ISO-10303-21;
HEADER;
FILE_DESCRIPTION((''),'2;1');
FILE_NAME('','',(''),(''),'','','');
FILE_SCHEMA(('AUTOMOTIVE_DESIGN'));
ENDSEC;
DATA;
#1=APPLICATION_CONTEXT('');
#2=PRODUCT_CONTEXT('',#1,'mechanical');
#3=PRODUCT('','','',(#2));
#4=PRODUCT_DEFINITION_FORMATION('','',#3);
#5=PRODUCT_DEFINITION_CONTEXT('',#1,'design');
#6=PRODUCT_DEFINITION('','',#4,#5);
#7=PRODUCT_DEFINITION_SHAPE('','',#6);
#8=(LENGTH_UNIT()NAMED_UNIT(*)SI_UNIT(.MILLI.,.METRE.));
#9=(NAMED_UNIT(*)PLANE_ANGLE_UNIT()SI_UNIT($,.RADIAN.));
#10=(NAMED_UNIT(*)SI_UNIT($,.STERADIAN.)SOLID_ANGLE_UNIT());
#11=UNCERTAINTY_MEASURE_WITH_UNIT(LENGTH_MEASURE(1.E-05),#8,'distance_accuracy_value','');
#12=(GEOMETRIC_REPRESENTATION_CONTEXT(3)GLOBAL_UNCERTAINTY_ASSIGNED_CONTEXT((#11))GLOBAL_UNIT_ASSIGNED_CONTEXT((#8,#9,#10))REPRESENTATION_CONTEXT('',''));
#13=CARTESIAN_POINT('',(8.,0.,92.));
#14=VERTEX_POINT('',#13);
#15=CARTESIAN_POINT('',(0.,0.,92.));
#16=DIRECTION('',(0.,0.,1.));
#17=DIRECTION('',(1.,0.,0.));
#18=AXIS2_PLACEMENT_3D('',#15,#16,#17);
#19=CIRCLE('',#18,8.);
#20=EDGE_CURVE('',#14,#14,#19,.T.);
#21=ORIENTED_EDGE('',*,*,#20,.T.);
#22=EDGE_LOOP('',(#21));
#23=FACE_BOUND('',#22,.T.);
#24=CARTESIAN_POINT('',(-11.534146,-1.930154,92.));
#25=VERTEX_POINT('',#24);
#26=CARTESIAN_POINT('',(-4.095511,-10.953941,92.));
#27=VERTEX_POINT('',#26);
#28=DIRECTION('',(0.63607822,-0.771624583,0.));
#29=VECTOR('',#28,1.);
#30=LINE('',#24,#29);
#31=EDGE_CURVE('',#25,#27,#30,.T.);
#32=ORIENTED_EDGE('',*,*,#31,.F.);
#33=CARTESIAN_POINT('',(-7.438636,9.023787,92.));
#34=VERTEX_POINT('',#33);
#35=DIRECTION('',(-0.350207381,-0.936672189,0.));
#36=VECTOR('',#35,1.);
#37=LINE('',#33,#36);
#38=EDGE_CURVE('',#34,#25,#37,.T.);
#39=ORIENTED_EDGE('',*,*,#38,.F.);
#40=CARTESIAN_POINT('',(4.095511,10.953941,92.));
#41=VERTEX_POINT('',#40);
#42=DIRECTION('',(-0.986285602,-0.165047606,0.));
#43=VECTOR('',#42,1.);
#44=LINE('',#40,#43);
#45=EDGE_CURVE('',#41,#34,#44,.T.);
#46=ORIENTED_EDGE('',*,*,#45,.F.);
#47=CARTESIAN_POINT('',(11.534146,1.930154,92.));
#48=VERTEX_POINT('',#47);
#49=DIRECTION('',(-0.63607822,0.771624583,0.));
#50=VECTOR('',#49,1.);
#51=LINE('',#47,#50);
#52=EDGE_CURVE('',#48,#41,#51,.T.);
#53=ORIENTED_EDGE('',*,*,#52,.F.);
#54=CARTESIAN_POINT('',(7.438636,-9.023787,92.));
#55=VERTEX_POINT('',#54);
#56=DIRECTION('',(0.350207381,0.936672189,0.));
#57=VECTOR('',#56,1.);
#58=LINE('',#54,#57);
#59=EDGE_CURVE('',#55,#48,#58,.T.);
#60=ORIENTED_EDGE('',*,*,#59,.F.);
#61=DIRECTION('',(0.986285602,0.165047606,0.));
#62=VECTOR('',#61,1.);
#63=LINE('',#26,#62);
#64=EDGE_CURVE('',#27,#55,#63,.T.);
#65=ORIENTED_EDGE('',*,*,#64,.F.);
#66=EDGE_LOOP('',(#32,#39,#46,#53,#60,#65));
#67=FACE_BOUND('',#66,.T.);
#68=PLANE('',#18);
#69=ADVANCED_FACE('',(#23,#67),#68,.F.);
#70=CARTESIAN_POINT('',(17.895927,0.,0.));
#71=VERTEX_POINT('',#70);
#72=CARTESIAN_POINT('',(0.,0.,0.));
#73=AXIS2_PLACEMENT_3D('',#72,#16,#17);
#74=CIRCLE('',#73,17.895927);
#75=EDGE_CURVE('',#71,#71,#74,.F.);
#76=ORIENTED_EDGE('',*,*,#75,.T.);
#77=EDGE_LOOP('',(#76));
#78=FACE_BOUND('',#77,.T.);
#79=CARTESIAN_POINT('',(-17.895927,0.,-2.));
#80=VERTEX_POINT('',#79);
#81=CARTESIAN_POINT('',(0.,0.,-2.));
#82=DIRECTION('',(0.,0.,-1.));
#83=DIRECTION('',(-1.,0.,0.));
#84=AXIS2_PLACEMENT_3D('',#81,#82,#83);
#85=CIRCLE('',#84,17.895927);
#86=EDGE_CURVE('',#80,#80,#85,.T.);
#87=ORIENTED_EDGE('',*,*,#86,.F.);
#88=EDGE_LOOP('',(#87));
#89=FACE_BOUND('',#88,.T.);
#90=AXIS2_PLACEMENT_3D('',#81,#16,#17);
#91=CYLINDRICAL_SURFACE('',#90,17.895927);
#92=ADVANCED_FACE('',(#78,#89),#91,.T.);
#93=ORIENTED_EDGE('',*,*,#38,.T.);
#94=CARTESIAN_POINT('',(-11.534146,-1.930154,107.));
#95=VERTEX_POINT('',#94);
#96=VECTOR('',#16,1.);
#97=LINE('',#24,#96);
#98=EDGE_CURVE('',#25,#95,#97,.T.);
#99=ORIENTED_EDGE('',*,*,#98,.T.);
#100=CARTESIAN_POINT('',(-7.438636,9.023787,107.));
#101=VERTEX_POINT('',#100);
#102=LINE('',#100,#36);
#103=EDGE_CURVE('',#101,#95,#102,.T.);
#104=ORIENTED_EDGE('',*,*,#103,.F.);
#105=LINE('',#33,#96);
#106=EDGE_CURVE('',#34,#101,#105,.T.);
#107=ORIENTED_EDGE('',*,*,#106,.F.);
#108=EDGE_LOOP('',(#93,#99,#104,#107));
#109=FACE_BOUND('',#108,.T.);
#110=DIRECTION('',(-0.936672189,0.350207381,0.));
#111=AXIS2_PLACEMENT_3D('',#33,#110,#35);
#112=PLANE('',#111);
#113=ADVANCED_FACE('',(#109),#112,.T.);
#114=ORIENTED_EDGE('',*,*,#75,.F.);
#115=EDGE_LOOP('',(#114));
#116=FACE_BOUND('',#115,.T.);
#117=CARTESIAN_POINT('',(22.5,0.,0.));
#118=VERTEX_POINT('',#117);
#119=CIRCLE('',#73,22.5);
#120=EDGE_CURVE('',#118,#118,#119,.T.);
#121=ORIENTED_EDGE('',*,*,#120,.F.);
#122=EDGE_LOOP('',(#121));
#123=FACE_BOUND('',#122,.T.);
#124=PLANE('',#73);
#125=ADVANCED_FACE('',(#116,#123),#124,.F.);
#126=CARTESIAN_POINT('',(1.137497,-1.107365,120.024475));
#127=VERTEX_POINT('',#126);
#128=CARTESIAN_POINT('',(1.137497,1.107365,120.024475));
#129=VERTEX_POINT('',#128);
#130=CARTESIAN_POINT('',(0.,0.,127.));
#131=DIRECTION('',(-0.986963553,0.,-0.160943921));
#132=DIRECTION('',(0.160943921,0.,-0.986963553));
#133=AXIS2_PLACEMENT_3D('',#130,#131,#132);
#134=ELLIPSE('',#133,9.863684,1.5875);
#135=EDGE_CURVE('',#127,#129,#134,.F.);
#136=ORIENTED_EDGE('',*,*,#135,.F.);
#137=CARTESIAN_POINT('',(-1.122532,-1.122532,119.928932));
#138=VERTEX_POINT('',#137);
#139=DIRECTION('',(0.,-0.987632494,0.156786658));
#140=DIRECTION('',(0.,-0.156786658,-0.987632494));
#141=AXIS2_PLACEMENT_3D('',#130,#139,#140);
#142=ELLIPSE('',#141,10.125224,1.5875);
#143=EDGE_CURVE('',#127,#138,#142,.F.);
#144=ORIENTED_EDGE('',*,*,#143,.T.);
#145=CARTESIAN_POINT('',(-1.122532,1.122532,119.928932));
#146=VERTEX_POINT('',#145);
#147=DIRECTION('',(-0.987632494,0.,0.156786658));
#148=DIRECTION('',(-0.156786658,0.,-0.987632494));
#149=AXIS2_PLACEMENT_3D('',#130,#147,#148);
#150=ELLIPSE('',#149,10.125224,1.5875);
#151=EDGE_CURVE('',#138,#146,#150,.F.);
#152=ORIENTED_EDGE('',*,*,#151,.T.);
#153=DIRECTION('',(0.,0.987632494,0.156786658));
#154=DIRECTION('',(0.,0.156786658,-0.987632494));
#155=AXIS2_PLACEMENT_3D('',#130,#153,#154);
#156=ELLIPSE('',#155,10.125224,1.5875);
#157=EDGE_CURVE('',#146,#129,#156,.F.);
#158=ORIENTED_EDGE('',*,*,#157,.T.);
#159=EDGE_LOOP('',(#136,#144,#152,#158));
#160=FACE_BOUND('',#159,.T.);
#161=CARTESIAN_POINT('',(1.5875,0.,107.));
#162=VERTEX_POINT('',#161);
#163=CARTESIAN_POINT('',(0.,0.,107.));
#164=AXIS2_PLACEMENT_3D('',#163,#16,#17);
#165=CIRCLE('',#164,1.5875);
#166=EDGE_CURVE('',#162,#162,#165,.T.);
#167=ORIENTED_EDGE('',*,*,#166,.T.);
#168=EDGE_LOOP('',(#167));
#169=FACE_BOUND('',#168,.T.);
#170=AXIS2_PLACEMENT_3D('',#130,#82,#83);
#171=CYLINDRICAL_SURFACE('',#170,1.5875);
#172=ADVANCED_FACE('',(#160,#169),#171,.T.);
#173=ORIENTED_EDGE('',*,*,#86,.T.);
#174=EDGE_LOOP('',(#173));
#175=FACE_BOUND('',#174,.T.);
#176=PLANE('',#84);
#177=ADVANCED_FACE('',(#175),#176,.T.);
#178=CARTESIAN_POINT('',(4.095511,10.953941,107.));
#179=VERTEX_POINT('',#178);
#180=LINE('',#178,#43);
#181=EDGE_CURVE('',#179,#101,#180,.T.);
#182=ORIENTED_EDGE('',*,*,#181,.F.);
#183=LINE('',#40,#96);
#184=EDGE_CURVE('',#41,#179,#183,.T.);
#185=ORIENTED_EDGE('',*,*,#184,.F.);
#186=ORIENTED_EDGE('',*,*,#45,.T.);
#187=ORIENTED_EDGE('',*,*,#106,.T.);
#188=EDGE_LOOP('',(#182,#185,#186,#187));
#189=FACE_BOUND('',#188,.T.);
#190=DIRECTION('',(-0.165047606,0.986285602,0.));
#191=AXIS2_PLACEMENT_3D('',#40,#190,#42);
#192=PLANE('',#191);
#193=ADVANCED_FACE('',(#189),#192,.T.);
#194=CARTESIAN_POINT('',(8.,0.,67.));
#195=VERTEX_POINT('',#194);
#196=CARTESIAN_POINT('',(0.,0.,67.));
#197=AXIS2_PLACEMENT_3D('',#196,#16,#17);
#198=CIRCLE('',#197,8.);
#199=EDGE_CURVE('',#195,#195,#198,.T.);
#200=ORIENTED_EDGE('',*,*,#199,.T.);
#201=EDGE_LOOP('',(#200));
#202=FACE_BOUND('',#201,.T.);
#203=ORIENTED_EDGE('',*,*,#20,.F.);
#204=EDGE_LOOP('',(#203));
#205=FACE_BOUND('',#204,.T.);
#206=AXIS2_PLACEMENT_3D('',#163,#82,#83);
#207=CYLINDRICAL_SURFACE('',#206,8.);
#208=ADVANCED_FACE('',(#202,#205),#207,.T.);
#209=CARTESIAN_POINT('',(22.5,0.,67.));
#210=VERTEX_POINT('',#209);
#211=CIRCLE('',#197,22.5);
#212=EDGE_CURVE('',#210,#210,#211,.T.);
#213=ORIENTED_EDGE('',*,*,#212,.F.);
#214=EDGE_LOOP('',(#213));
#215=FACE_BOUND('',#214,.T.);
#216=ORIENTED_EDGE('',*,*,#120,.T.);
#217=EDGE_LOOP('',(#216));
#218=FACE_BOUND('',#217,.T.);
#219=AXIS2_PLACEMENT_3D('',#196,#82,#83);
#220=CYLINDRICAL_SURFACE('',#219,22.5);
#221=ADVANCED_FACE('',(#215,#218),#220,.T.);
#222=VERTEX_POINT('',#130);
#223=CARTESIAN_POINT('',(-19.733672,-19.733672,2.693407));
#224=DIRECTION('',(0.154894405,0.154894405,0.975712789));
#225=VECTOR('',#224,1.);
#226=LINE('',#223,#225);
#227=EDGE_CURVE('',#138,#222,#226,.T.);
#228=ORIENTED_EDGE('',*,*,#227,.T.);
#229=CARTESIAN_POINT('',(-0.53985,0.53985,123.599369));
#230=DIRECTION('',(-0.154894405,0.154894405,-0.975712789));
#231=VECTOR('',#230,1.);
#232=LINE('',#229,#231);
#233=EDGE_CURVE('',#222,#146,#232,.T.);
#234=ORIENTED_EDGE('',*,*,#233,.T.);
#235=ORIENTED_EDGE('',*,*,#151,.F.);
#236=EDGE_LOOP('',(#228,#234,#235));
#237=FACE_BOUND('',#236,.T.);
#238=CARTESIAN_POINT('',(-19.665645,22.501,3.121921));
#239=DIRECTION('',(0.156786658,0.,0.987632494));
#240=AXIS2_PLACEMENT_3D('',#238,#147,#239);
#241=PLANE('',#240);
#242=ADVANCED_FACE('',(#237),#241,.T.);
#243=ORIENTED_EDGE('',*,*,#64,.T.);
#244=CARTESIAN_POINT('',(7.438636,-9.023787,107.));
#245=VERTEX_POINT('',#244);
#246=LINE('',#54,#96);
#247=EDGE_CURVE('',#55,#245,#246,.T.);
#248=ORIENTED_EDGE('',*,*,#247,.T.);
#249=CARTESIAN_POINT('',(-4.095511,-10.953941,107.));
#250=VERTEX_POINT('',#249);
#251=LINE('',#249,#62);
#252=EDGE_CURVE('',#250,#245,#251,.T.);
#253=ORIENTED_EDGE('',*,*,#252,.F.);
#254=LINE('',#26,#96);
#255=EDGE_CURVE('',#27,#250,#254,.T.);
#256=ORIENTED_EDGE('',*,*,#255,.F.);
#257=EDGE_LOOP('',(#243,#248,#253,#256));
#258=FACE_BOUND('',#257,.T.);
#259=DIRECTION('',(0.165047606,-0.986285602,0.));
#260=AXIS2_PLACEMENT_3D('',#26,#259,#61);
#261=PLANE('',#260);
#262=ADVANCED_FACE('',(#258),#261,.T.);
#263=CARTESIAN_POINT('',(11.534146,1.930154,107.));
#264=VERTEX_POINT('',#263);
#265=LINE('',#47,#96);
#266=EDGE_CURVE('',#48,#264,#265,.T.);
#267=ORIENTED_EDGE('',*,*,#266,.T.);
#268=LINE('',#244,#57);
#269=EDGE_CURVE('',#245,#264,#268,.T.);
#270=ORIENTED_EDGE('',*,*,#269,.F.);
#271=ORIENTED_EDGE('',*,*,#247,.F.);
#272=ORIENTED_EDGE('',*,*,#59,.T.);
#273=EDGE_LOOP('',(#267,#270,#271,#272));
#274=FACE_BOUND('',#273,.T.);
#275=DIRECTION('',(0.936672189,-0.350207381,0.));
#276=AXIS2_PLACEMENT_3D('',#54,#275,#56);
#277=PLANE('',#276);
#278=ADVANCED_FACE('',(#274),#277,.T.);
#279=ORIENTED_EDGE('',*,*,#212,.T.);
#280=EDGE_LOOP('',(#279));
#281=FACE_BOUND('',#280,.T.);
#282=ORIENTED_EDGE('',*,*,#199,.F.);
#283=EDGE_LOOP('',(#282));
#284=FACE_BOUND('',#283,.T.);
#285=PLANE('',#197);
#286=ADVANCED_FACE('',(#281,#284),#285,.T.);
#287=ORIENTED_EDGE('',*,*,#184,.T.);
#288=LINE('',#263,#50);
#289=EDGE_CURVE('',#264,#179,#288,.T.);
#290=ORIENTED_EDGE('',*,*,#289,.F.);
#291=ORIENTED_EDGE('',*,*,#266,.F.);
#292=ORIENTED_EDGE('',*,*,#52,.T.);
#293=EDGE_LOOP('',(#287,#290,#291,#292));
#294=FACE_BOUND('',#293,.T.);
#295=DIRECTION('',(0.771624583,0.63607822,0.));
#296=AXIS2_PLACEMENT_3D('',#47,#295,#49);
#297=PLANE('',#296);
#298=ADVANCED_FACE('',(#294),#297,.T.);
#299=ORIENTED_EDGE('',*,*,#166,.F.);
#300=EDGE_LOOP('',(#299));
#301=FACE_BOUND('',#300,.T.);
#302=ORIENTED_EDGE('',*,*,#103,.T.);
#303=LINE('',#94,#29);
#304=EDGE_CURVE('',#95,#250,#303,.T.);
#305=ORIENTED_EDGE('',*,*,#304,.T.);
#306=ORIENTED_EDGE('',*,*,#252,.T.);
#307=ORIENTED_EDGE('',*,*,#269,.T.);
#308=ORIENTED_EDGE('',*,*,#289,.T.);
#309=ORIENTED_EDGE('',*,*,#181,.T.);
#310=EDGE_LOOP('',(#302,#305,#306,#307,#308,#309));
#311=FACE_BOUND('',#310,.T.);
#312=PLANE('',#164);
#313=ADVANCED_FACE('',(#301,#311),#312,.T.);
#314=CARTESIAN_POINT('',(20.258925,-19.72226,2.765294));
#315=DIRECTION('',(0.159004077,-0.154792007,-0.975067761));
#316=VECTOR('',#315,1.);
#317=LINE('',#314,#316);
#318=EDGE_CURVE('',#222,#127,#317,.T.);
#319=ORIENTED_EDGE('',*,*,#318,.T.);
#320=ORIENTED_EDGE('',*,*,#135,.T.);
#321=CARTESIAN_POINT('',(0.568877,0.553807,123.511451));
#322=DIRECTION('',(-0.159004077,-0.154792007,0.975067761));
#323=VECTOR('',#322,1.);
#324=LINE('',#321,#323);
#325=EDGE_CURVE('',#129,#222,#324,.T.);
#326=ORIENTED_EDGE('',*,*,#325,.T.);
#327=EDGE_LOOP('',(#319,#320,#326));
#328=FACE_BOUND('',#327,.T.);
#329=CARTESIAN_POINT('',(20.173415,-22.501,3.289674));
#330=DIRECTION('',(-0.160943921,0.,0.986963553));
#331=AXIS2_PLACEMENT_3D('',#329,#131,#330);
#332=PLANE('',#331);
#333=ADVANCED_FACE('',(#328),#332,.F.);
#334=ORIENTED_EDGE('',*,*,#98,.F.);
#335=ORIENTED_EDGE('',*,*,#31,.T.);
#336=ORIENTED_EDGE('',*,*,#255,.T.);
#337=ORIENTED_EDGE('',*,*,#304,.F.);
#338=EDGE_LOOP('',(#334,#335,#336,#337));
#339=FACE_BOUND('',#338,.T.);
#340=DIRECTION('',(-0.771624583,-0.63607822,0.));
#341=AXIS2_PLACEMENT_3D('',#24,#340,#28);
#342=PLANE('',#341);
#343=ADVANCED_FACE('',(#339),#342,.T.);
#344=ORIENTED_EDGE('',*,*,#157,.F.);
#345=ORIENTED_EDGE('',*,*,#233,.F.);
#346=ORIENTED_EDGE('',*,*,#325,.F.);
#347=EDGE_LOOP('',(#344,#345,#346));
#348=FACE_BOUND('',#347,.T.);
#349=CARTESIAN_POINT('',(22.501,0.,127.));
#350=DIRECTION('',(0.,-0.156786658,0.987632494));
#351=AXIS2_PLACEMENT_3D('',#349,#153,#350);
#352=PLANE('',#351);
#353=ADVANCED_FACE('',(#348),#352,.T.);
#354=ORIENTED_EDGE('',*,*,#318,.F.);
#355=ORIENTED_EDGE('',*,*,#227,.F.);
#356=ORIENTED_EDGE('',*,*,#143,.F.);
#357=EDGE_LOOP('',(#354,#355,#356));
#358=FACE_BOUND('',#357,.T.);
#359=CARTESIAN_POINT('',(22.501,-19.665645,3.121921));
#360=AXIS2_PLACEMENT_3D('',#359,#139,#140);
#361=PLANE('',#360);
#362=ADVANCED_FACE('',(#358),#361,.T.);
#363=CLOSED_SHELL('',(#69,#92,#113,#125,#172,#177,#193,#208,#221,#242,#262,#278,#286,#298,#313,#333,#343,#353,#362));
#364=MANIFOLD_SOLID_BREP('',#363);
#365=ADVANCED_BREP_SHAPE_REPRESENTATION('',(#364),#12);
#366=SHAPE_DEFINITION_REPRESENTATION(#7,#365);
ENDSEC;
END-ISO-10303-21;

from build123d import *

# Parameters (mm, degrees)
SKETCH1_R                      = 22.5
BOSS_EXTRUDE1_DEPTH            = 67
SKETCH2_R                      = 8
BOSS_EXTRUDE2_DEPTH            = 40
BOSS_EXTRUDE3_DEPTH            = 15
SKETCH4_R                      = 1.5875
BOSS_EXTRUDE4_DEPTH            = 20
CUT_EXTRUDE1_REACH             = 24.5
CUT_EXTRUDE1_DIRECTION_2_REACH = 24.5
CUT_EXTRUDE2_REACH             = 24.5
CUT_EXTRUDE2_DIRECTION_2_REACH = 24.5
SKETCH7_R                      = 17.895926968
BOSS_EXTRUDE5_DEPTH            = 2


with BuildPart() as part:
    # Sketch1 → Boss-Extrude1 (new body)
    with BuildSketch(Plane.XY):
        Circle(SKETCH1_R)
    extrude(amount=BOSS_EXTRUDE1_DEPTH)

    # Sketch2 → Boss-Extrude2 (add)
    with BuildSketch(Plane.XY.offset(67)):
        Circle(SKETCH2_R)
    extrude(amount=BOSS_EXTRUDE2_DEPTH)

    # Sketch3 → Boss-Extrude3 (add)
    with BuildSketch(Plane.XY.offset(107)):
        Polygon((11.534146379, 1.930154149), (4.095510664, 10.95394085), (-7.438635716, 9.023786701), (-11.534146379, -1.930154149), (-4.095510664, -10.95394085), (7.438635716, -9.023786701), align=None)
    extrude(amount=-BOSS_EXTRUDE3_DEPTH)

    # Sketch4 → Boss-Extrude4 (add)
    with BuildSketch(Plane.XY.offset(107)):
        Circle(SKETCH4_R)
    extrude(amount=BOSS_EXTRUDE4_DEPTH)

    # Sketch5 → Cut-Extrude1 (cut, up to next)
    with BuildSketch(Plane(origin=(0, 0, 0), x_dir=(1, 0, 0), z_dir=(0, 1, 0)), mode=Mode.PRIVATE) as cut_extrude1_sk1:
        Polygon((-1.5875, -127), (0, -127), (-1.5875, -117), align=None)
    cut_extrude1_tool1 = extrude(cut_extrude1_sk1.sketch, amount=-CUT_EXTRUDE1_REACH, mode=Mode.PRIVATE) & part.part
    add(cut_extrude1_tool1.solids().sort_by_distance((-1.058333, 0, 123.666667))[0], mode=Mode.SUBTRACT)
    # Sketch5 → Cut-Extrude1 (cut, up to next)
    with BuildSketch(Plane(origin=(0, 0, 0), x_dir=(1, 0, 0), z_dir=(0, 1, 0)), mode=Mode.PRIVATE) as cut_extrude1_sk2:
        Polygon((1.630697713, -117), (0, -127), (1.5875, -127), align=None)
    cut_extrude1_tool2 = extrude(cut_extrude1_sk2.sketch, amount=-CUT_EXTRUDE1_REACH, mode=Mode.PRIVATE) & part.part
    add(cut_extrude1_tool2.solids().sort_by_distance((1.072733, 0, 123.666667))[0], mode=Mode.SUBTRACT)

    # Sketch5 → Cut-Extrude1 direction 2 (cut, up to next)
    with BuildSketch(Plane(origin=(0, 0, 0), x_dir=(1, 0, 0), z_dir=(0, 1, 0)), mode=Mode.PRIVATE) as cut_extrude1_direction_2_sk1:
        Polygon((-1.5875, -127), (0, -127), (-1.5875, -117), align=None)
    cut_extrude1_direction_2_tool1 = extrude(cut_extrude1_direction_2_sk1.sketch, amount=CUT_EXTRUDE1_DIRECTION_2_REACH, mode=Mode.PRIVATE) & part.part
    add(cut_extrude1_direction_2_tool1.solids().sort_by_distance((-1.058333, 0, 123.666667))[0], mode=Mode.SUBTRACT)
    # Sketch5 → Cut-Extrude1 direction 2 (cut, up to next)
    with BuildSketch(Plane(origin=(0, 0, 0), x_dir=(1, 0, 0), z_dir=(0, 1, 0)), mode=Mode.PRIVATE) as cut_extrude1_direction_2_sk2:
        Polygon((1.630697713, -117), (0, -127), (1.5875, -127), align=None)
    cut_extrude1_direction_2_tool2 = extrude(cut_extrude1_direction_2_sk2.sketch, amount=CUT_EXTRUDE1_DIRECTION_2_REACH, mode=Mode.PRIVATE) & part.part
    add(cut_extrude1_direction_2_tool2.solids().sort_by_distance((1.072733, 0, 123.666667))[0], mode=Mode.SUBTRACT)

    # Sketch6 → Cut-Extrude2 (cut, up to next)
    with BuildSketch(Plane(origin=(0, 0, 0), x_dir=(0, 0, -1), z_dir=(1, 0, 0)), mode=Mode.PRIVATE) as cut_extrude2_sk1:
        Polygon((-127, -1.5875), (-117, -1.5875), (-127, 0), align=None)
    cut_extrude2_tool1 = extrude(cut_extrude2_sk1.sketch, amount=-CUT_EXTRUDE2_REACH, mode=Mode.PRIVATE) & part.part
    add(cut_extrude2_tool1.solids().sort_by_distance((0, -1.058333, 123.666667))[0], mode=Mode.SUBTRACT)
    # Sketch6 → Cut-Extrude2 (cut, up to next)
    with BuildSketch(Plane(origin=(0, 0, 0), x_dir=(0, 0, -1), z_dir=(1, 0, 0)), mode=Mode.PRIVATE) as cut_extrude2_sk2:
        Polygon((-127, 0), (-117, 1.5875), (-127, 1.5875), align=None)
    cut_extrude2_tool2 = extrude(cut_extrude2_sk2.sketch, amount=-CUT_EXTRUDE2_REACH, mode=Mode.PRIVATE) & part.part
    add(cut_extrude2_tool2.solids().sort_by_distance((0, 1.058333, 123.666667))[0], mode=Mode.SUBTRACT)

    # Sketch6 → Cut-Extrude2 direction 2 (cut, up to next)
    with BuildSketch(Plane(origin=(0, 0, 0), x_dir=(0, 0, -1), z_dir=(1, 0, 0)), mode=Mode.PRIVATE) as cut_extrude2_direction_2_sk1:
        Polygon((-127, -1.5875), (-117, -1.5875), (-127, 0), align=None)
    cut_extrude2_direction_2_tool1 = extrude(cut_extrude2_direction_2_sk1.sketch, amount=CUT_EXTRUDE2_DIRECTION_2_REACH, mode=Mode.PRIVATE) & part.part
    add(cut_extrude2_direction_2_tool1.solids().sort_by_distance((0, -1.058333, 123.666667))[0], mode=Mode.SUBTRACT)
    # Sketch6 → Cut-Extrude2 direction 2 (cut, up to next)
    with BuildSketch(Plane(origin=(0, 0, 0), x_dir=(0, 0, -1), z_dir=(1, 0, 0)), mode=Mode.PRIVATE) as cut_extrude2_direction_2_sk2:
        Polygon((-127, 0), (-117, 1.5875), (-127, 1.5875), align=None)
    cut_extrude2_direction_2_tool2 = extrude(cut_extrude2_direction_2_sk2.sketch, amount=CUT_EXTRUDE2_DIRECTION_2_REACH, mode=Mode.PRIVATE) & part.part
    add(cut_extrude2_direction_2_tool2.solids().sort_by_distance((0, 1.058333, 123.666667))[0], mode=Mode.SUBTRACT)

    # Sketch7 → Boss-Extrude5 (add)
    with BuildSketch(Plane(origin=(0, 0, 0), x_dir=(-1, 0, 0), z_dir=(0, 0, -1))):
        Circle(SKETCH7_R)
    extrude(amount=BOSS_EXTRUDE5_DEPTH)


solid = part.part
